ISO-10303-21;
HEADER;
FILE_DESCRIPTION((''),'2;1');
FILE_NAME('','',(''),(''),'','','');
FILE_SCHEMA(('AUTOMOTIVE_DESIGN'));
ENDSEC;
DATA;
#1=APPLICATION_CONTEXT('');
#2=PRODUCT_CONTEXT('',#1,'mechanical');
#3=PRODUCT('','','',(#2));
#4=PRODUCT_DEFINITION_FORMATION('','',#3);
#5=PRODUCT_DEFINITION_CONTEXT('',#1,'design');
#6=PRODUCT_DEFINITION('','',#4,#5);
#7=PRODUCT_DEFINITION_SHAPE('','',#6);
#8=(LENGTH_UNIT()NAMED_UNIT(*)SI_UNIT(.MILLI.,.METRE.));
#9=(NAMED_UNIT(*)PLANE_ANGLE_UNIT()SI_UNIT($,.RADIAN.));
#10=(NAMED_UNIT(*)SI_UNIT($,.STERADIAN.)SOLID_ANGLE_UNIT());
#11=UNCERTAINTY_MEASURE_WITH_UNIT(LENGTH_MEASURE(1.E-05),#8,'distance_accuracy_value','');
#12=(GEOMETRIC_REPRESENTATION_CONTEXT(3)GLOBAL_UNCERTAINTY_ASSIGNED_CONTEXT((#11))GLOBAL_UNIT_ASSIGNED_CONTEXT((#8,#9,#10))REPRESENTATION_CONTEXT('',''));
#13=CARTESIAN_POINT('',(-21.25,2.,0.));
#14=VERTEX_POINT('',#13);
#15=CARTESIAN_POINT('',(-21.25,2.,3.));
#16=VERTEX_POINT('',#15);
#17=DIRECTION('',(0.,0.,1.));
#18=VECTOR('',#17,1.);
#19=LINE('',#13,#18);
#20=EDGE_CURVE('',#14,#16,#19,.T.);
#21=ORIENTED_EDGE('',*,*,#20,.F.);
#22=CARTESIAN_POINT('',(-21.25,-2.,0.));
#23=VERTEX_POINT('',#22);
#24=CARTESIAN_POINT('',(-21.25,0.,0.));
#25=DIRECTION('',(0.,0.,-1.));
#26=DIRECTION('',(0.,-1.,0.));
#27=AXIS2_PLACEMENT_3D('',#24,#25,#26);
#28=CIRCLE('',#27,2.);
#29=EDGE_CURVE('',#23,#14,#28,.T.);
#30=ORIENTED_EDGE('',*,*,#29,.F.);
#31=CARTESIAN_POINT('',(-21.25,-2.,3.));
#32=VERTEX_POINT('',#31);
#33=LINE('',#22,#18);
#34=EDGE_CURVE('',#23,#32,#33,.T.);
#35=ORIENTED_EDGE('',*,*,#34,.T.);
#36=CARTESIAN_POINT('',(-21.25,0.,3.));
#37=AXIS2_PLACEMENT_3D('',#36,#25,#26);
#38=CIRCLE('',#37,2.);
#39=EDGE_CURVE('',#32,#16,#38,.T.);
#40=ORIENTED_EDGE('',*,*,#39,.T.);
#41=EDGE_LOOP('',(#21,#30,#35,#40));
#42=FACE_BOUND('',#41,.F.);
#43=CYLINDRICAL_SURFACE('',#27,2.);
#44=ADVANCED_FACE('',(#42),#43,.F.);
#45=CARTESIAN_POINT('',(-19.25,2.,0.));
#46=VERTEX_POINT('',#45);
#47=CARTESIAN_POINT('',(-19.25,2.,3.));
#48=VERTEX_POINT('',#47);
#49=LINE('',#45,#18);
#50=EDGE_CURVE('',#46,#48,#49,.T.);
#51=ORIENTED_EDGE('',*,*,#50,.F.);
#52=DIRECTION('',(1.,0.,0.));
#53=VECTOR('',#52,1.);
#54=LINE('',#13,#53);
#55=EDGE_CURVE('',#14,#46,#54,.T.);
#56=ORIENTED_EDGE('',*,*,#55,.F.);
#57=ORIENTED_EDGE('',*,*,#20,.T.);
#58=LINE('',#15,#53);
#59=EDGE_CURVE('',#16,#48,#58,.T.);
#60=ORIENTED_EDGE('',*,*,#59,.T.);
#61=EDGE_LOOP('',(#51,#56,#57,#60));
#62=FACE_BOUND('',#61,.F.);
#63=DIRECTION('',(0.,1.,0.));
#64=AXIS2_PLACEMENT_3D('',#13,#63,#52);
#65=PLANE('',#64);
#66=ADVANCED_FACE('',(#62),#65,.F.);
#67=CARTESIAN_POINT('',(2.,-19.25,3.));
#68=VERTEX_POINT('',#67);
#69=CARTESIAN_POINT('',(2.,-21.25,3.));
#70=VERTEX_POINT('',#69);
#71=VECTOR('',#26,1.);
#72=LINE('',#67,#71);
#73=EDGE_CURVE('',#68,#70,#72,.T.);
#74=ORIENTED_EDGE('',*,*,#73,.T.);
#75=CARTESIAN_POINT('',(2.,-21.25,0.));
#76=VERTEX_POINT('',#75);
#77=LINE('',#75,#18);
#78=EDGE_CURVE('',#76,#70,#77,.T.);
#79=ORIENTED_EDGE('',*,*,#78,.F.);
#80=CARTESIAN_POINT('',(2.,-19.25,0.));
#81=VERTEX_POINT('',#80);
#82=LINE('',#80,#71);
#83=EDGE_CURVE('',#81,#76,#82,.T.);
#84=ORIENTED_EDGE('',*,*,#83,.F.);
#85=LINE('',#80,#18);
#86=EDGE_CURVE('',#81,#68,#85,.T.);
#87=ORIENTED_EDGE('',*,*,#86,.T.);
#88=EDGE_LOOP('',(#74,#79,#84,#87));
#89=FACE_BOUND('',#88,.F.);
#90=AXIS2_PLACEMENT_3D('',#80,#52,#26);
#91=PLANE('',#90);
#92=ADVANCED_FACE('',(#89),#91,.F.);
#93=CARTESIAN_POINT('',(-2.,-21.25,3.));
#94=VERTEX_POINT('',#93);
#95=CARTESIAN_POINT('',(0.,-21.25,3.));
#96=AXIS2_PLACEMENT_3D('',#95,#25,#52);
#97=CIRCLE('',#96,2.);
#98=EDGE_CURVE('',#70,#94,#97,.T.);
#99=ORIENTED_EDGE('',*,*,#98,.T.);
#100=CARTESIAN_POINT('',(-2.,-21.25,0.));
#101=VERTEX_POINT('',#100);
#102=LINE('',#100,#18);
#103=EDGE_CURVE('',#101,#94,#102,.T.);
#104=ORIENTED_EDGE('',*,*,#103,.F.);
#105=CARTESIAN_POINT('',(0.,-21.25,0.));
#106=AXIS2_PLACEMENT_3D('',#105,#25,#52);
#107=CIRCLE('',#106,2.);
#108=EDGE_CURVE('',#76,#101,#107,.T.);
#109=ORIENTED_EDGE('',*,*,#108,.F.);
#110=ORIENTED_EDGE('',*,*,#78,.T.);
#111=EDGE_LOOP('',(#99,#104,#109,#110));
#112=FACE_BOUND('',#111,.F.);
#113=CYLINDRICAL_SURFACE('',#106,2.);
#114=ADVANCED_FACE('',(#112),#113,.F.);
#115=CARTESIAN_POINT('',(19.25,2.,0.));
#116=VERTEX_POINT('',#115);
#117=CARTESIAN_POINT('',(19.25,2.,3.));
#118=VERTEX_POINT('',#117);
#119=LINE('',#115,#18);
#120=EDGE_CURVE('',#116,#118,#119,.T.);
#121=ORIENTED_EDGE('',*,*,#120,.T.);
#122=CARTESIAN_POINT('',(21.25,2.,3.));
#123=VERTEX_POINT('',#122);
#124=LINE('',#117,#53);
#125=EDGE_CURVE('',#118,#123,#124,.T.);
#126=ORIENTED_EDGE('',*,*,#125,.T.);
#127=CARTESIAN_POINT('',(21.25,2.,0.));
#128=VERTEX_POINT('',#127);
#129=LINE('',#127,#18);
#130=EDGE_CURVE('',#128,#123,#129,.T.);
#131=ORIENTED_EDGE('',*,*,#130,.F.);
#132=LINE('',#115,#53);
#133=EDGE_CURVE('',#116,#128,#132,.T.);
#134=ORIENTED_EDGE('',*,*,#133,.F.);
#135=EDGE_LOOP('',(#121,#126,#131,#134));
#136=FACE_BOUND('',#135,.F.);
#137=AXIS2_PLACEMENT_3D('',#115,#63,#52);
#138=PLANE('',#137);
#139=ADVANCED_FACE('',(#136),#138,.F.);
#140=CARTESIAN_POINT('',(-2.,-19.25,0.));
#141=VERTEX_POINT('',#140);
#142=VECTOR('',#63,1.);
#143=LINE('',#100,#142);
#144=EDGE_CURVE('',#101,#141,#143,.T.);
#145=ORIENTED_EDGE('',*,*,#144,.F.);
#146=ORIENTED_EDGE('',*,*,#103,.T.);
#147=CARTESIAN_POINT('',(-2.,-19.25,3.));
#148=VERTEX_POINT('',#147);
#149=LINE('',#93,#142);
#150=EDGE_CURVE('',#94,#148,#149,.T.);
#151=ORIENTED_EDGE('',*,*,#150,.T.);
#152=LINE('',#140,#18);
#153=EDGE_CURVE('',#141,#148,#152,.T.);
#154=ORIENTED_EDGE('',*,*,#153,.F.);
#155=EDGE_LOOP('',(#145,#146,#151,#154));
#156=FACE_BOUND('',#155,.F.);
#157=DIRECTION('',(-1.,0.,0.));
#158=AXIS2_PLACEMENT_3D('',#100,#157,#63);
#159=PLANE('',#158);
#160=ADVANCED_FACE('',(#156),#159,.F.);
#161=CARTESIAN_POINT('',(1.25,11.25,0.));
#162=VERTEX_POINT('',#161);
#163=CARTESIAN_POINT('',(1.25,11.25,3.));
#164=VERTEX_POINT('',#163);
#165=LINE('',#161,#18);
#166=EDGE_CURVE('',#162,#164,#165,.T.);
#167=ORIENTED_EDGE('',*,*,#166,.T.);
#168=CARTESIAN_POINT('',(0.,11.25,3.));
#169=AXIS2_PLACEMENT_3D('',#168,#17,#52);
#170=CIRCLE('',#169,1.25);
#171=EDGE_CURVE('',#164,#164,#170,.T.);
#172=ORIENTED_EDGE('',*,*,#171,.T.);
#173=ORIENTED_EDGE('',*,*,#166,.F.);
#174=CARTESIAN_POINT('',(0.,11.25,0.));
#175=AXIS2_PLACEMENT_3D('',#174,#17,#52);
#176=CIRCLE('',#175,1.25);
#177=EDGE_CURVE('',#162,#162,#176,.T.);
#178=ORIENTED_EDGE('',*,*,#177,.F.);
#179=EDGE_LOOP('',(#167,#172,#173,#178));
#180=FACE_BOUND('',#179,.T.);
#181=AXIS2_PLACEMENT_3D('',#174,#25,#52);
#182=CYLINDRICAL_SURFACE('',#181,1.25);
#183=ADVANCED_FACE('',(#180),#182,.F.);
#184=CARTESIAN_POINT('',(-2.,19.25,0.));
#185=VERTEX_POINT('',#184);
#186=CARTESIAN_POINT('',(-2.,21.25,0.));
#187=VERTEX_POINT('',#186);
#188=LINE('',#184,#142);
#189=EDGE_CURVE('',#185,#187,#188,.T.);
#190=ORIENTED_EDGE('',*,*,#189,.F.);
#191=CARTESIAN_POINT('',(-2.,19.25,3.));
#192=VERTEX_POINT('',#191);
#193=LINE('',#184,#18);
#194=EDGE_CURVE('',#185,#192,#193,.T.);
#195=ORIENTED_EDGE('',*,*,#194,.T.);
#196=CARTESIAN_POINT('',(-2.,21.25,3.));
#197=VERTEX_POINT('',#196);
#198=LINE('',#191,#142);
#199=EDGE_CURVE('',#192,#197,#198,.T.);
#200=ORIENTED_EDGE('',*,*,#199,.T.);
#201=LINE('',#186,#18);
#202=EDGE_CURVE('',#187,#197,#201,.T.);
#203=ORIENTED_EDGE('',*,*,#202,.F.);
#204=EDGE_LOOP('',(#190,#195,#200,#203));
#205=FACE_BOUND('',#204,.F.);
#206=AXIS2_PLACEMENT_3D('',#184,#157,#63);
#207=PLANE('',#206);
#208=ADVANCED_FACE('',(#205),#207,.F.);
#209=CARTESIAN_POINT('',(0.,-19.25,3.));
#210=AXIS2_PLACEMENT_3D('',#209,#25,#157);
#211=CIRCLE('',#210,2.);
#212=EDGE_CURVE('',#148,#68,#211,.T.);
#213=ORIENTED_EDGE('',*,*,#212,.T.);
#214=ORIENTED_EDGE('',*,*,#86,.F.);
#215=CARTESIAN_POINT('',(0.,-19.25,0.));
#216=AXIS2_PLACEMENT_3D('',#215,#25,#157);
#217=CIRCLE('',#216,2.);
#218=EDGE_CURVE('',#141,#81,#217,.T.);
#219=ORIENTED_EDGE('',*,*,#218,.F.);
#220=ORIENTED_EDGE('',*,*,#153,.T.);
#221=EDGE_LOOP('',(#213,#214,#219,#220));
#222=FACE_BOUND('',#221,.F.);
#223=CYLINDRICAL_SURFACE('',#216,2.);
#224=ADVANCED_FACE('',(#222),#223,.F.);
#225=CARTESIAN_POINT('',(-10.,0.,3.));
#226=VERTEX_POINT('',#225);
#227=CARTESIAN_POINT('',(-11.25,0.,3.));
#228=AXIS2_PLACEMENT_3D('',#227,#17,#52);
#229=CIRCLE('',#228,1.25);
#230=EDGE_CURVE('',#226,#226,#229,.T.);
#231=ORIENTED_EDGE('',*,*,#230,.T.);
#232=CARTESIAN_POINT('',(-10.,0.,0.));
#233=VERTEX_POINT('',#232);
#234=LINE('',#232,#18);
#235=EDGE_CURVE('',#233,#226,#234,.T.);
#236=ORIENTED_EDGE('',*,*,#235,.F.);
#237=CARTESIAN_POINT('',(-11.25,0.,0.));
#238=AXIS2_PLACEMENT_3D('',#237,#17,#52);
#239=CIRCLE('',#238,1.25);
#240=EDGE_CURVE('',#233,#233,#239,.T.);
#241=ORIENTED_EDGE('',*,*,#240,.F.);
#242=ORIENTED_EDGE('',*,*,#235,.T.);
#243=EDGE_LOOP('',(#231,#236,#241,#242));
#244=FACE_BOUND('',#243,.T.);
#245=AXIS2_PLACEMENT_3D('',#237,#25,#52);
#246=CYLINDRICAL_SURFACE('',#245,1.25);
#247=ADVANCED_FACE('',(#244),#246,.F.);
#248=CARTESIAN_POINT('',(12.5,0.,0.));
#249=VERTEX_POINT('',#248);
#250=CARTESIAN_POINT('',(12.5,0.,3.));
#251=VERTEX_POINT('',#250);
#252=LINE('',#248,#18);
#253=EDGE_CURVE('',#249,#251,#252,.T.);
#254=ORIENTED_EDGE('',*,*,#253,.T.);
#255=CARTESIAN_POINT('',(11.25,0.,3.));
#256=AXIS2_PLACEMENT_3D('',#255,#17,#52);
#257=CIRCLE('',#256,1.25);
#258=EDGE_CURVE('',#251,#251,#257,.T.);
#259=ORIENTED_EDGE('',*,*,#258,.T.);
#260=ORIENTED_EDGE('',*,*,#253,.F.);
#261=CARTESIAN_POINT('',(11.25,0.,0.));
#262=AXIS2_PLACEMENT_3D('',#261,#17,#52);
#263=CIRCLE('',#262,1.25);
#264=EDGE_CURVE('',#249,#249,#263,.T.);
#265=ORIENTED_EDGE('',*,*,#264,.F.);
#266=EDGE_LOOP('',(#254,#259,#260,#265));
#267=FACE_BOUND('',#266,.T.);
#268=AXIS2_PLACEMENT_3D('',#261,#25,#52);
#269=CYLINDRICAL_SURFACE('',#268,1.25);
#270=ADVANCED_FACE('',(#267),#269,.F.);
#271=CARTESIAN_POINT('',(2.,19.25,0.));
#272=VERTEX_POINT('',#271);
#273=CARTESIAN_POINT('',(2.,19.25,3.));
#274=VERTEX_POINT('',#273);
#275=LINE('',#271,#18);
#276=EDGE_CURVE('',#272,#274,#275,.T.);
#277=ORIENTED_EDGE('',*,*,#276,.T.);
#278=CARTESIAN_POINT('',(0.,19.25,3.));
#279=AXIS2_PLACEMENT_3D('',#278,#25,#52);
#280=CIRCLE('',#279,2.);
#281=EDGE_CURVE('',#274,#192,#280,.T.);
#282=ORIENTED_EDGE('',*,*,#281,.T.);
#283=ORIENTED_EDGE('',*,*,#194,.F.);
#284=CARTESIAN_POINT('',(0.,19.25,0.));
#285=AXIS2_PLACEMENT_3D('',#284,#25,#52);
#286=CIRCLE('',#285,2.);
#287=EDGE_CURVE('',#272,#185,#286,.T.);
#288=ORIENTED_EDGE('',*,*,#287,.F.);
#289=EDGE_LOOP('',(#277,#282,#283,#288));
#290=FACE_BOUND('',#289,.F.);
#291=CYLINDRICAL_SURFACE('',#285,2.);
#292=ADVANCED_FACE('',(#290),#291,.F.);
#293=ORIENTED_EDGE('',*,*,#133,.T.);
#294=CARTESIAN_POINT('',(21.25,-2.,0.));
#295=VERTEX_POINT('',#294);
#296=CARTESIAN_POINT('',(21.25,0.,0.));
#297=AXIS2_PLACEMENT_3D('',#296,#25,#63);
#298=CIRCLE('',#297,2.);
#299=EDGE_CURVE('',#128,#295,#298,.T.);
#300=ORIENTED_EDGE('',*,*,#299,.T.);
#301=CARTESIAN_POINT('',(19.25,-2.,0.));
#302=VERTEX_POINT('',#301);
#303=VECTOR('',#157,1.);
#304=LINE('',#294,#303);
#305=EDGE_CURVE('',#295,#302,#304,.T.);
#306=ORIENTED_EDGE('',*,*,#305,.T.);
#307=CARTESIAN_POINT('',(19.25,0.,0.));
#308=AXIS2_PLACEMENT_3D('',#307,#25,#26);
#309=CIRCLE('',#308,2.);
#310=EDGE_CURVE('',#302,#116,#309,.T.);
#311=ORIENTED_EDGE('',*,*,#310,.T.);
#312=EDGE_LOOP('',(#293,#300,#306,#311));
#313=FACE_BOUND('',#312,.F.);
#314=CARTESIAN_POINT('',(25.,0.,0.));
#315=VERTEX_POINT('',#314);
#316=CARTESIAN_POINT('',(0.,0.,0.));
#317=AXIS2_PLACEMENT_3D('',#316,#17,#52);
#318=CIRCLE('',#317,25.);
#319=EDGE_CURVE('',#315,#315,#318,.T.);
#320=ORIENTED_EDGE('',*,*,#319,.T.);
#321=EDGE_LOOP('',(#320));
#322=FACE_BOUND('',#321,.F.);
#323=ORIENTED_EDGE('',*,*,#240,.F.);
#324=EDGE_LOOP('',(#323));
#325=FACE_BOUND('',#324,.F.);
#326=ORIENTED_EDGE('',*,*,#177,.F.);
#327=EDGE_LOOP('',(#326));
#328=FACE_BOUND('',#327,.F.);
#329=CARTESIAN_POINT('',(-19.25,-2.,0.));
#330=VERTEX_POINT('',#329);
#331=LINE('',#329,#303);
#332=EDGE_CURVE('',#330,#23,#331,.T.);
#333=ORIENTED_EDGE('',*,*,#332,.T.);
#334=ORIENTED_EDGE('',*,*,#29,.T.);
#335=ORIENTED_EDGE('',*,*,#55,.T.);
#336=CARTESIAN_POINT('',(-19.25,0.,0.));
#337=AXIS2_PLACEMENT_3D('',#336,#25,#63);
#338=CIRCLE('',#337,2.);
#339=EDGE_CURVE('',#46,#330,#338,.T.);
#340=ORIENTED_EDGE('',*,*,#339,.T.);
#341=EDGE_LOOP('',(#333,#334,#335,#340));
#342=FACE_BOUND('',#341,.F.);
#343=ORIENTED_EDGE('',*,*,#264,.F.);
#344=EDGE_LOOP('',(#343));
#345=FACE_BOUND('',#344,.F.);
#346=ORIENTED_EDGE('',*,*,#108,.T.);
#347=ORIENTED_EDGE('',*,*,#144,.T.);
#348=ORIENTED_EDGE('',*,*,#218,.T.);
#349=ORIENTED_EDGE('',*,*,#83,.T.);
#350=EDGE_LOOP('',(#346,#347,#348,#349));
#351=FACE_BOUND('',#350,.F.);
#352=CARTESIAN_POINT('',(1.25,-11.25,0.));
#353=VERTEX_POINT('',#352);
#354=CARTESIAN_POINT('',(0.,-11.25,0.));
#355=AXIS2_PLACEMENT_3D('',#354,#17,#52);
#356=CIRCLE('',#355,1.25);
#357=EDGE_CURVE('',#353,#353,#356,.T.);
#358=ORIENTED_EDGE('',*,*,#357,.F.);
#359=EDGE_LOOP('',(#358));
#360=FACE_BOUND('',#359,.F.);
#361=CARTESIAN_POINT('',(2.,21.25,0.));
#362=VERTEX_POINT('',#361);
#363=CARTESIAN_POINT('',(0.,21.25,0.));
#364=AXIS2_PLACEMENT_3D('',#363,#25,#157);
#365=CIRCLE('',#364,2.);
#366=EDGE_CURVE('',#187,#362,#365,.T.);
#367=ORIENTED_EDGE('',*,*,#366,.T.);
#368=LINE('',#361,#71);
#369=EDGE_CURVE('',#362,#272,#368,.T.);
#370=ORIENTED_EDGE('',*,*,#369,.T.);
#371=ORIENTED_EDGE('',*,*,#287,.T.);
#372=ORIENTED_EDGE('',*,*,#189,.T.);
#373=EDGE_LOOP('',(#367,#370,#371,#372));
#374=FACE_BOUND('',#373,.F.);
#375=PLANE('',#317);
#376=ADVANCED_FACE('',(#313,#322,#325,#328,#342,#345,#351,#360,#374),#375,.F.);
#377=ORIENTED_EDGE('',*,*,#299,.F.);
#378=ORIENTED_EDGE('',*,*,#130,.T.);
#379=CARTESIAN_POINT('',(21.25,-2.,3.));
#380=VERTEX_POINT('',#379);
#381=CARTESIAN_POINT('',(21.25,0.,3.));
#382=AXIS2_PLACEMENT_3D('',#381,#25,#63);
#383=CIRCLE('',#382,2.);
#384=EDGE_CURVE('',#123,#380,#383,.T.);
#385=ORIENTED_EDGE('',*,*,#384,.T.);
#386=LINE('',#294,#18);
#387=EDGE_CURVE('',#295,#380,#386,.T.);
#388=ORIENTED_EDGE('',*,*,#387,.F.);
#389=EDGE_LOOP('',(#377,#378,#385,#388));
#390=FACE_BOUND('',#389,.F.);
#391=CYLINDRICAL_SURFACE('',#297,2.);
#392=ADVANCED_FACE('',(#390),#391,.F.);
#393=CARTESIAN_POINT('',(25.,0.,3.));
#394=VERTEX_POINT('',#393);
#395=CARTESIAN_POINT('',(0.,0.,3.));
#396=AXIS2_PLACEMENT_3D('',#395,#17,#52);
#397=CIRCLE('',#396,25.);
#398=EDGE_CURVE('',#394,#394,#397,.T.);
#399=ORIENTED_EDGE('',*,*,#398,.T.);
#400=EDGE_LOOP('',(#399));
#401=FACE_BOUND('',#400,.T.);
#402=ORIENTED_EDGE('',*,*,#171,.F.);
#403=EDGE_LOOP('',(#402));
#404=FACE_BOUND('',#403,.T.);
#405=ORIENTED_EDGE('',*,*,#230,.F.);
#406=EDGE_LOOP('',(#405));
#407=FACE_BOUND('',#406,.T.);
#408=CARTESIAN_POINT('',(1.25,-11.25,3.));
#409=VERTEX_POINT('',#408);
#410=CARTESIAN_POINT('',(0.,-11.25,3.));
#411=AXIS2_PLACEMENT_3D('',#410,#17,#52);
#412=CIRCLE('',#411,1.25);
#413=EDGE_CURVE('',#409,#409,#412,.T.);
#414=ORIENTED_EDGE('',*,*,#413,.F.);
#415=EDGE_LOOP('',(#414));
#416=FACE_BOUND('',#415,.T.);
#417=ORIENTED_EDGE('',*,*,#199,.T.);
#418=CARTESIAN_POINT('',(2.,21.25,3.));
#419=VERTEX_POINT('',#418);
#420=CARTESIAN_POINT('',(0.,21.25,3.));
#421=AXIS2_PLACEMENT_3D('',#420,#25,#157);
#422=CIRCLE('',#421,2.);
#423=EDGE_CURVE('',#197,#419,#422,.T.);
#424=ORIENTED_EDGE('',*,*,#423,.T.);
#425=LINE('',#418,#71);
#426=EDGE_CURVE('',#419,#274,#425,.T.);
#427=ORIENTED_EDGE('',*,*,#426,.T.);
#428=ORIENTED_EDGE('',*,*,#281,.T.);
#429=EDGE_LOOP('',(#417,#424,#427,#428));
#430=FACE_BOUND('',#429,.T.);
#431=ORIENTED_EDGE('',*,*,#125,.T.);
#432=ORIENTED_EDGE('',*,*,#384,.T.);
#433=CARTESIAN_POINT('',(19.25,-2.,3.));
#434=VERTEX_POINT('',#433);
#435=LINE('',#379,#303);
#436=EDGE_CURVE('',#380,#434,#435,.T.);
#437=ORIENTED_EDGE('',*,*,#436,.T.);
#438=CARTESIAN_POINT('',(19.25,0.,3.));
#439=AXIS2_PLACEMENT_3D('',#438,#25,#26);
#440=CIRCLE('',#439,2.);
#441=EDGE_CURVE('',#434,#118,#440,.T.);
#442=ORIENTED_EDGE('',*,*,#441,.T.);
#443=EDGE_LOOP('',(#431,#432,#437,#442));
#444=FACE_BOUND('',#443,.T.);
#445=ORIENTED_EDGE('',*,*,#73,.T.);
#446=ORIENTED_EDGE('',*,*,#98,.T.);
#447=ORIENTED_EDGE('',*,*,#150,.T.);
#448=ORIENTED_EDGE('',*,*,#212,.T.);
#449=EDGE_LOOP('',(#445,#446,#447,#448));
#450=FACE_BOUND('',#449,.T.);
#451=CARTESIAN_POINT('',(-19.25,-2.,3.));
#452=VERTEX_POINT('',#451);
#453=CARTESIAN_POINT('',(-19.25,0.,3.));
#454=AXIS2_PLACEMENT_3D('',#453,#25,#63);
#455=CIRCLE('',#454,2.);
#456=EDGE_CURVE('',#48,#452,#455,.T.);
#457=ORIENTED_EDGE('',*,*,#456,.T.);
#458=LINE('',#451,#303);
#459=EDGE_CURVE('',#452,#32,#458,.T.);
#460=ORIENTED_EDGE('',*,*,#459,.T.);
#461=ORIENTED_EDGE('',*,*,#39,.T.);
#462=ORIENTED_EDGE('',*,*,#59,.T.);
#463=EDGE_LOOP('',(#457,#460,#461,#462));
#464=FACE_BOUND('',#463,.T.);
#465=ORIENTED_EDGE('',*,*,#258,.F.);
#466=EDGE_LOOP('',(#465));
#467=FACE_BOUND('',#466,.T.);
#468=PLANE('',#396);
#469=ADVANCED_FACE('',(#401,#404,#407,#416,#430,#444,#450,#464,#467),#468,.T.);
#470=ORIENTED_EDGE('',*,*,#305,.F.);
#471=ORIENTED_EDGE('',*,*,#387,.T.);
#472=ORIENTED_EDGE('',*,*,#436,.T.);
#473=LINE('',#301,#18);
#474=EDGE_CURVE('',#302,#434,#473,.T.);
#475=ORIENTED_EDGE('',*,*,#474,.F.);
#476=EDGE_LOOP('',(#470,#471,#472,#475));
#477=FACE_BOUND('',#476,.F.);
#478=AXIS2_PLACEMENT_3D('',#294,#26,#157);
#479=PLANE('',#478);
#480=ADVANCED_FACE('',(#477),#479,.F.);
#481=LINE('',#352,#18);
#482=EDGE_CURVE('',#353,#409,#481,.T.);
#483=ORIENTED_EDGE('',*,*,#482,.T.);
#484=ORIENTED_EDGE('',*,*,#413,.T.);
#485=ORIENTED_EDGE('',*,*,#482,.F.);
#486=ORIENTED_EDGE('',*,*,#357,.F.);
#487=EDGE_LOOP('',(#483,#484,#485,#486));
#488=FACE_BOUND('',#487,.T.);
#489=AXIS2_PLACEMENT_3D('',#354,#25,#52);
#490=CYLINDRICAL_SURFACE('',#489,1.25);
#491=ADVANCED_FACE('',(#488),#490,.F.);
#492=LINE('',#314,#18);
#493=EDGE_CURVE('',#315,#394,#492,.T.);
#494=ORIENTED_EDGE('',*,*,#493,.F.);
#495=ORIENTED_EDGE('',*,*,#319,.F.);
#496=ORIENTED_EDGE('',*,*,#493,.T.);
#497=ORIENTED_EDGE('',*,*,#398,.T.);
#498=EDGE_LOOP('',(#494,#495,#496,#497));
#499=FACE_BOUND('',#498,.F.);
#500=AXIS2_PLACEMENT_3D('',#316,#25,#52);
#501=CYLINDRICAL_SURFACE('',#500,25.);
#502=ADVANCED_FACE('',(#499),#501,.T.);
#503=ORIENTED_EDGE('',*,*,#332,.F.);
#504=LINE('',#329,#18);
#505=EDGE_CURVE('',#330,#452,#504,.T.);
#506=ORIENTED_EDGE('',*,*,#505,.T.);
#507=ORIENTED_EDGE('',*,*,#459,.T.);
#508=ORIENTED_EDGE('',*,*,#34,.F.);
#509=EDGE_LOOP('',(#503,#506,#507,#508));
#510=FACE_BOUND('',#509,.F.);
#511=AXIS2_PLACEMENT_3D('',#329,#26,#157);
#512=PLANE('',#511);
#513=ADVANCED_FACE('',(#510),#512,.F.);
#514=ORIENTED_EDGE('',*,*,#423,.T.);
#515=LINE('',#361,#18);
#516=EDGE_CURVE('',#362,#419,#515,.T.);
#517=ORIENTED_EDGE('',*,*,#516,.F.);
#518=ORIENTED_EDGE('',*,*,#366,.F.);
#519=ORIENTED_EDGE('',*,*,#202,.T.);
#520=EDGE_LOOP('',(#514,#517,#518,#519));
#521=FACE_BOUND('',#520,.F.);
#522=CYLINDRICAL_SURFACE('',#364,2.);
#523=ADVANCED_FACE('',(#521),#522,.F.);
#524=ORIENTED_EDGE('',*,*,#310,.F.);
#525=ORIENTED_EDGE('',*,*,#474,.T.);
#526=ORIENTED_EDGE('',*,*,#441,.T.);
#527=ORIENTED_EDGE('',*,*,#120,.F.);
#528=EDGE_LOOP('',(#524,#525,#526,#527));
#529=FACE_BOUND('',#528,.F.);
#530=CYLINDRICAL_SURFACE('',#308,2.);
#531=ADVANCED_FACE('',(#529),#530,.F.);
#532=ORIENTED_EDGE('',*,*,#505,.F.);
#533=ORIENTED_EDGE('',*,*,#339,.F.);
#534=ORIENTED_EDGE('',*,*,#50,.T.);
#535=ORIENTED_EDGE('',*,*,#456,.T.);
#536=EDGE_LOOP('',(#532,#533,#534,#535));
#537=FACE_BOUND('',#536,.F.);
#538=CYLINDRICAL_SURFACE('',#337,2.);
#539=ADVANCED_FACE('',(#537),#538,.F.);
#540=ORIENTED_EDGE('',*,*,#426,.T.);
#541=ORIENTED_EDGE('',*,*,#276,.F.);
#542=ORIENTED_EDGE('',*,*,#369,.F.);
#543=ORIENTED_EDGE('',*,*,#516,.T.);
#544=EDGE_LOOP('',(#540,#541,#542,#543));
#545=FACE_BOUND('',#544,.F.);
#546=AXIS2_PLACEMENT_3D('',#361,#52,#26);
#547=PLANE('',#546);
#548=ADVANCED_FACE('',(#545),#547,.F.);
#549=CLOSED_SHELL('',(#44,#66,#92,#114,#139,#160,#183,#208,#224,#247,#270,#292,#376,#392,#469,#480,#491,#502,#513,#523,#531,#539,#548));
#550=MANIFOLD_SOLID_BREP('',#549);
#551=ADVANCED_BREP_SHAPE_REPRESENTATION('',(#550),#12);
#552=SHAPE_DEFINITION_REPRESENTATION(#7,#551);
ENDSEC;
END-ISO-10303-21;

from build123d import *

# Parameters (mm, degrees)
F0_R     = 25
F0_R_2   = 1.25
F1_DEPTH = 3


with BuildPart() as f1:
    # F0 (on Top) → F1 (new body)
    with BuildSketch(Plane.XY):
        Circle(F0_R)
        with BuildLine():
            Line((-2, -21.25), (-2, -19.25))
            ThreePointArc((-2, -19.25), (0, -17.25), (2, -19.25))
            Line((2, -19.25), (2, -21.25))
            ThreePointArc((2, -21.25), (0, -23.25), (-2, -21.25))
        make_face(mode=Mode.SUBTRACT)
        with Locations((0, -11.25)):
            Circle(F0_R_2, mode=Mode.SUBTRACT)
        with BuildLine():
            Line((-19.25, -2), (-21.25, -2))
            ThreePointArc((-21.25, -2), (-23.25, 0), (-21.25, 2))
            Line((-21.25, 2), (-19.25, 2))
            ThreePointArc((-19.25, 2), (-17.25, 0), (-19.25, -2))
        make_face(mode=Mode.SUBTRACT)
        with Locations((-11.25, 0)):
            Circle(F0_R_2, mode=Mode.SUBTRACT)
        with Locations((11.25, 0)):
            Circle(F0_R_2, mode=Mode.SUBTRACT)
        with Locations((0, 11.25)):
            Circle(F0_R_2, mode=Mode.SUBTRACT)
        with BuildLine():
            ThreePointArc((21.25, 2), (23.25, 0), (21.25, -2))
            Line((21.25, -2), (19.25, -2))
            ThreePointArc((19.25, -2), (17.25, 0), (19.25, 2))
            Line((19.25, 2), (21.25, 2))
        make_face(mode=Mode.SUBTRACT)
        with BuildLine():
            Line((2, 21.25), (2, 19.25))
            ThreePointArc((2, 19.25), (0, 17.25), (-2, 19.25))
            Line((-2, 19.25), (-2, 21.25))
            ThreePointArc((-2, 21.25), (0, 23.25), (2, 21.25))
        make_face(mode=Mode.SUBTRACT)
    extrude(amount=F1_DEPTH)


solid = f1.part
